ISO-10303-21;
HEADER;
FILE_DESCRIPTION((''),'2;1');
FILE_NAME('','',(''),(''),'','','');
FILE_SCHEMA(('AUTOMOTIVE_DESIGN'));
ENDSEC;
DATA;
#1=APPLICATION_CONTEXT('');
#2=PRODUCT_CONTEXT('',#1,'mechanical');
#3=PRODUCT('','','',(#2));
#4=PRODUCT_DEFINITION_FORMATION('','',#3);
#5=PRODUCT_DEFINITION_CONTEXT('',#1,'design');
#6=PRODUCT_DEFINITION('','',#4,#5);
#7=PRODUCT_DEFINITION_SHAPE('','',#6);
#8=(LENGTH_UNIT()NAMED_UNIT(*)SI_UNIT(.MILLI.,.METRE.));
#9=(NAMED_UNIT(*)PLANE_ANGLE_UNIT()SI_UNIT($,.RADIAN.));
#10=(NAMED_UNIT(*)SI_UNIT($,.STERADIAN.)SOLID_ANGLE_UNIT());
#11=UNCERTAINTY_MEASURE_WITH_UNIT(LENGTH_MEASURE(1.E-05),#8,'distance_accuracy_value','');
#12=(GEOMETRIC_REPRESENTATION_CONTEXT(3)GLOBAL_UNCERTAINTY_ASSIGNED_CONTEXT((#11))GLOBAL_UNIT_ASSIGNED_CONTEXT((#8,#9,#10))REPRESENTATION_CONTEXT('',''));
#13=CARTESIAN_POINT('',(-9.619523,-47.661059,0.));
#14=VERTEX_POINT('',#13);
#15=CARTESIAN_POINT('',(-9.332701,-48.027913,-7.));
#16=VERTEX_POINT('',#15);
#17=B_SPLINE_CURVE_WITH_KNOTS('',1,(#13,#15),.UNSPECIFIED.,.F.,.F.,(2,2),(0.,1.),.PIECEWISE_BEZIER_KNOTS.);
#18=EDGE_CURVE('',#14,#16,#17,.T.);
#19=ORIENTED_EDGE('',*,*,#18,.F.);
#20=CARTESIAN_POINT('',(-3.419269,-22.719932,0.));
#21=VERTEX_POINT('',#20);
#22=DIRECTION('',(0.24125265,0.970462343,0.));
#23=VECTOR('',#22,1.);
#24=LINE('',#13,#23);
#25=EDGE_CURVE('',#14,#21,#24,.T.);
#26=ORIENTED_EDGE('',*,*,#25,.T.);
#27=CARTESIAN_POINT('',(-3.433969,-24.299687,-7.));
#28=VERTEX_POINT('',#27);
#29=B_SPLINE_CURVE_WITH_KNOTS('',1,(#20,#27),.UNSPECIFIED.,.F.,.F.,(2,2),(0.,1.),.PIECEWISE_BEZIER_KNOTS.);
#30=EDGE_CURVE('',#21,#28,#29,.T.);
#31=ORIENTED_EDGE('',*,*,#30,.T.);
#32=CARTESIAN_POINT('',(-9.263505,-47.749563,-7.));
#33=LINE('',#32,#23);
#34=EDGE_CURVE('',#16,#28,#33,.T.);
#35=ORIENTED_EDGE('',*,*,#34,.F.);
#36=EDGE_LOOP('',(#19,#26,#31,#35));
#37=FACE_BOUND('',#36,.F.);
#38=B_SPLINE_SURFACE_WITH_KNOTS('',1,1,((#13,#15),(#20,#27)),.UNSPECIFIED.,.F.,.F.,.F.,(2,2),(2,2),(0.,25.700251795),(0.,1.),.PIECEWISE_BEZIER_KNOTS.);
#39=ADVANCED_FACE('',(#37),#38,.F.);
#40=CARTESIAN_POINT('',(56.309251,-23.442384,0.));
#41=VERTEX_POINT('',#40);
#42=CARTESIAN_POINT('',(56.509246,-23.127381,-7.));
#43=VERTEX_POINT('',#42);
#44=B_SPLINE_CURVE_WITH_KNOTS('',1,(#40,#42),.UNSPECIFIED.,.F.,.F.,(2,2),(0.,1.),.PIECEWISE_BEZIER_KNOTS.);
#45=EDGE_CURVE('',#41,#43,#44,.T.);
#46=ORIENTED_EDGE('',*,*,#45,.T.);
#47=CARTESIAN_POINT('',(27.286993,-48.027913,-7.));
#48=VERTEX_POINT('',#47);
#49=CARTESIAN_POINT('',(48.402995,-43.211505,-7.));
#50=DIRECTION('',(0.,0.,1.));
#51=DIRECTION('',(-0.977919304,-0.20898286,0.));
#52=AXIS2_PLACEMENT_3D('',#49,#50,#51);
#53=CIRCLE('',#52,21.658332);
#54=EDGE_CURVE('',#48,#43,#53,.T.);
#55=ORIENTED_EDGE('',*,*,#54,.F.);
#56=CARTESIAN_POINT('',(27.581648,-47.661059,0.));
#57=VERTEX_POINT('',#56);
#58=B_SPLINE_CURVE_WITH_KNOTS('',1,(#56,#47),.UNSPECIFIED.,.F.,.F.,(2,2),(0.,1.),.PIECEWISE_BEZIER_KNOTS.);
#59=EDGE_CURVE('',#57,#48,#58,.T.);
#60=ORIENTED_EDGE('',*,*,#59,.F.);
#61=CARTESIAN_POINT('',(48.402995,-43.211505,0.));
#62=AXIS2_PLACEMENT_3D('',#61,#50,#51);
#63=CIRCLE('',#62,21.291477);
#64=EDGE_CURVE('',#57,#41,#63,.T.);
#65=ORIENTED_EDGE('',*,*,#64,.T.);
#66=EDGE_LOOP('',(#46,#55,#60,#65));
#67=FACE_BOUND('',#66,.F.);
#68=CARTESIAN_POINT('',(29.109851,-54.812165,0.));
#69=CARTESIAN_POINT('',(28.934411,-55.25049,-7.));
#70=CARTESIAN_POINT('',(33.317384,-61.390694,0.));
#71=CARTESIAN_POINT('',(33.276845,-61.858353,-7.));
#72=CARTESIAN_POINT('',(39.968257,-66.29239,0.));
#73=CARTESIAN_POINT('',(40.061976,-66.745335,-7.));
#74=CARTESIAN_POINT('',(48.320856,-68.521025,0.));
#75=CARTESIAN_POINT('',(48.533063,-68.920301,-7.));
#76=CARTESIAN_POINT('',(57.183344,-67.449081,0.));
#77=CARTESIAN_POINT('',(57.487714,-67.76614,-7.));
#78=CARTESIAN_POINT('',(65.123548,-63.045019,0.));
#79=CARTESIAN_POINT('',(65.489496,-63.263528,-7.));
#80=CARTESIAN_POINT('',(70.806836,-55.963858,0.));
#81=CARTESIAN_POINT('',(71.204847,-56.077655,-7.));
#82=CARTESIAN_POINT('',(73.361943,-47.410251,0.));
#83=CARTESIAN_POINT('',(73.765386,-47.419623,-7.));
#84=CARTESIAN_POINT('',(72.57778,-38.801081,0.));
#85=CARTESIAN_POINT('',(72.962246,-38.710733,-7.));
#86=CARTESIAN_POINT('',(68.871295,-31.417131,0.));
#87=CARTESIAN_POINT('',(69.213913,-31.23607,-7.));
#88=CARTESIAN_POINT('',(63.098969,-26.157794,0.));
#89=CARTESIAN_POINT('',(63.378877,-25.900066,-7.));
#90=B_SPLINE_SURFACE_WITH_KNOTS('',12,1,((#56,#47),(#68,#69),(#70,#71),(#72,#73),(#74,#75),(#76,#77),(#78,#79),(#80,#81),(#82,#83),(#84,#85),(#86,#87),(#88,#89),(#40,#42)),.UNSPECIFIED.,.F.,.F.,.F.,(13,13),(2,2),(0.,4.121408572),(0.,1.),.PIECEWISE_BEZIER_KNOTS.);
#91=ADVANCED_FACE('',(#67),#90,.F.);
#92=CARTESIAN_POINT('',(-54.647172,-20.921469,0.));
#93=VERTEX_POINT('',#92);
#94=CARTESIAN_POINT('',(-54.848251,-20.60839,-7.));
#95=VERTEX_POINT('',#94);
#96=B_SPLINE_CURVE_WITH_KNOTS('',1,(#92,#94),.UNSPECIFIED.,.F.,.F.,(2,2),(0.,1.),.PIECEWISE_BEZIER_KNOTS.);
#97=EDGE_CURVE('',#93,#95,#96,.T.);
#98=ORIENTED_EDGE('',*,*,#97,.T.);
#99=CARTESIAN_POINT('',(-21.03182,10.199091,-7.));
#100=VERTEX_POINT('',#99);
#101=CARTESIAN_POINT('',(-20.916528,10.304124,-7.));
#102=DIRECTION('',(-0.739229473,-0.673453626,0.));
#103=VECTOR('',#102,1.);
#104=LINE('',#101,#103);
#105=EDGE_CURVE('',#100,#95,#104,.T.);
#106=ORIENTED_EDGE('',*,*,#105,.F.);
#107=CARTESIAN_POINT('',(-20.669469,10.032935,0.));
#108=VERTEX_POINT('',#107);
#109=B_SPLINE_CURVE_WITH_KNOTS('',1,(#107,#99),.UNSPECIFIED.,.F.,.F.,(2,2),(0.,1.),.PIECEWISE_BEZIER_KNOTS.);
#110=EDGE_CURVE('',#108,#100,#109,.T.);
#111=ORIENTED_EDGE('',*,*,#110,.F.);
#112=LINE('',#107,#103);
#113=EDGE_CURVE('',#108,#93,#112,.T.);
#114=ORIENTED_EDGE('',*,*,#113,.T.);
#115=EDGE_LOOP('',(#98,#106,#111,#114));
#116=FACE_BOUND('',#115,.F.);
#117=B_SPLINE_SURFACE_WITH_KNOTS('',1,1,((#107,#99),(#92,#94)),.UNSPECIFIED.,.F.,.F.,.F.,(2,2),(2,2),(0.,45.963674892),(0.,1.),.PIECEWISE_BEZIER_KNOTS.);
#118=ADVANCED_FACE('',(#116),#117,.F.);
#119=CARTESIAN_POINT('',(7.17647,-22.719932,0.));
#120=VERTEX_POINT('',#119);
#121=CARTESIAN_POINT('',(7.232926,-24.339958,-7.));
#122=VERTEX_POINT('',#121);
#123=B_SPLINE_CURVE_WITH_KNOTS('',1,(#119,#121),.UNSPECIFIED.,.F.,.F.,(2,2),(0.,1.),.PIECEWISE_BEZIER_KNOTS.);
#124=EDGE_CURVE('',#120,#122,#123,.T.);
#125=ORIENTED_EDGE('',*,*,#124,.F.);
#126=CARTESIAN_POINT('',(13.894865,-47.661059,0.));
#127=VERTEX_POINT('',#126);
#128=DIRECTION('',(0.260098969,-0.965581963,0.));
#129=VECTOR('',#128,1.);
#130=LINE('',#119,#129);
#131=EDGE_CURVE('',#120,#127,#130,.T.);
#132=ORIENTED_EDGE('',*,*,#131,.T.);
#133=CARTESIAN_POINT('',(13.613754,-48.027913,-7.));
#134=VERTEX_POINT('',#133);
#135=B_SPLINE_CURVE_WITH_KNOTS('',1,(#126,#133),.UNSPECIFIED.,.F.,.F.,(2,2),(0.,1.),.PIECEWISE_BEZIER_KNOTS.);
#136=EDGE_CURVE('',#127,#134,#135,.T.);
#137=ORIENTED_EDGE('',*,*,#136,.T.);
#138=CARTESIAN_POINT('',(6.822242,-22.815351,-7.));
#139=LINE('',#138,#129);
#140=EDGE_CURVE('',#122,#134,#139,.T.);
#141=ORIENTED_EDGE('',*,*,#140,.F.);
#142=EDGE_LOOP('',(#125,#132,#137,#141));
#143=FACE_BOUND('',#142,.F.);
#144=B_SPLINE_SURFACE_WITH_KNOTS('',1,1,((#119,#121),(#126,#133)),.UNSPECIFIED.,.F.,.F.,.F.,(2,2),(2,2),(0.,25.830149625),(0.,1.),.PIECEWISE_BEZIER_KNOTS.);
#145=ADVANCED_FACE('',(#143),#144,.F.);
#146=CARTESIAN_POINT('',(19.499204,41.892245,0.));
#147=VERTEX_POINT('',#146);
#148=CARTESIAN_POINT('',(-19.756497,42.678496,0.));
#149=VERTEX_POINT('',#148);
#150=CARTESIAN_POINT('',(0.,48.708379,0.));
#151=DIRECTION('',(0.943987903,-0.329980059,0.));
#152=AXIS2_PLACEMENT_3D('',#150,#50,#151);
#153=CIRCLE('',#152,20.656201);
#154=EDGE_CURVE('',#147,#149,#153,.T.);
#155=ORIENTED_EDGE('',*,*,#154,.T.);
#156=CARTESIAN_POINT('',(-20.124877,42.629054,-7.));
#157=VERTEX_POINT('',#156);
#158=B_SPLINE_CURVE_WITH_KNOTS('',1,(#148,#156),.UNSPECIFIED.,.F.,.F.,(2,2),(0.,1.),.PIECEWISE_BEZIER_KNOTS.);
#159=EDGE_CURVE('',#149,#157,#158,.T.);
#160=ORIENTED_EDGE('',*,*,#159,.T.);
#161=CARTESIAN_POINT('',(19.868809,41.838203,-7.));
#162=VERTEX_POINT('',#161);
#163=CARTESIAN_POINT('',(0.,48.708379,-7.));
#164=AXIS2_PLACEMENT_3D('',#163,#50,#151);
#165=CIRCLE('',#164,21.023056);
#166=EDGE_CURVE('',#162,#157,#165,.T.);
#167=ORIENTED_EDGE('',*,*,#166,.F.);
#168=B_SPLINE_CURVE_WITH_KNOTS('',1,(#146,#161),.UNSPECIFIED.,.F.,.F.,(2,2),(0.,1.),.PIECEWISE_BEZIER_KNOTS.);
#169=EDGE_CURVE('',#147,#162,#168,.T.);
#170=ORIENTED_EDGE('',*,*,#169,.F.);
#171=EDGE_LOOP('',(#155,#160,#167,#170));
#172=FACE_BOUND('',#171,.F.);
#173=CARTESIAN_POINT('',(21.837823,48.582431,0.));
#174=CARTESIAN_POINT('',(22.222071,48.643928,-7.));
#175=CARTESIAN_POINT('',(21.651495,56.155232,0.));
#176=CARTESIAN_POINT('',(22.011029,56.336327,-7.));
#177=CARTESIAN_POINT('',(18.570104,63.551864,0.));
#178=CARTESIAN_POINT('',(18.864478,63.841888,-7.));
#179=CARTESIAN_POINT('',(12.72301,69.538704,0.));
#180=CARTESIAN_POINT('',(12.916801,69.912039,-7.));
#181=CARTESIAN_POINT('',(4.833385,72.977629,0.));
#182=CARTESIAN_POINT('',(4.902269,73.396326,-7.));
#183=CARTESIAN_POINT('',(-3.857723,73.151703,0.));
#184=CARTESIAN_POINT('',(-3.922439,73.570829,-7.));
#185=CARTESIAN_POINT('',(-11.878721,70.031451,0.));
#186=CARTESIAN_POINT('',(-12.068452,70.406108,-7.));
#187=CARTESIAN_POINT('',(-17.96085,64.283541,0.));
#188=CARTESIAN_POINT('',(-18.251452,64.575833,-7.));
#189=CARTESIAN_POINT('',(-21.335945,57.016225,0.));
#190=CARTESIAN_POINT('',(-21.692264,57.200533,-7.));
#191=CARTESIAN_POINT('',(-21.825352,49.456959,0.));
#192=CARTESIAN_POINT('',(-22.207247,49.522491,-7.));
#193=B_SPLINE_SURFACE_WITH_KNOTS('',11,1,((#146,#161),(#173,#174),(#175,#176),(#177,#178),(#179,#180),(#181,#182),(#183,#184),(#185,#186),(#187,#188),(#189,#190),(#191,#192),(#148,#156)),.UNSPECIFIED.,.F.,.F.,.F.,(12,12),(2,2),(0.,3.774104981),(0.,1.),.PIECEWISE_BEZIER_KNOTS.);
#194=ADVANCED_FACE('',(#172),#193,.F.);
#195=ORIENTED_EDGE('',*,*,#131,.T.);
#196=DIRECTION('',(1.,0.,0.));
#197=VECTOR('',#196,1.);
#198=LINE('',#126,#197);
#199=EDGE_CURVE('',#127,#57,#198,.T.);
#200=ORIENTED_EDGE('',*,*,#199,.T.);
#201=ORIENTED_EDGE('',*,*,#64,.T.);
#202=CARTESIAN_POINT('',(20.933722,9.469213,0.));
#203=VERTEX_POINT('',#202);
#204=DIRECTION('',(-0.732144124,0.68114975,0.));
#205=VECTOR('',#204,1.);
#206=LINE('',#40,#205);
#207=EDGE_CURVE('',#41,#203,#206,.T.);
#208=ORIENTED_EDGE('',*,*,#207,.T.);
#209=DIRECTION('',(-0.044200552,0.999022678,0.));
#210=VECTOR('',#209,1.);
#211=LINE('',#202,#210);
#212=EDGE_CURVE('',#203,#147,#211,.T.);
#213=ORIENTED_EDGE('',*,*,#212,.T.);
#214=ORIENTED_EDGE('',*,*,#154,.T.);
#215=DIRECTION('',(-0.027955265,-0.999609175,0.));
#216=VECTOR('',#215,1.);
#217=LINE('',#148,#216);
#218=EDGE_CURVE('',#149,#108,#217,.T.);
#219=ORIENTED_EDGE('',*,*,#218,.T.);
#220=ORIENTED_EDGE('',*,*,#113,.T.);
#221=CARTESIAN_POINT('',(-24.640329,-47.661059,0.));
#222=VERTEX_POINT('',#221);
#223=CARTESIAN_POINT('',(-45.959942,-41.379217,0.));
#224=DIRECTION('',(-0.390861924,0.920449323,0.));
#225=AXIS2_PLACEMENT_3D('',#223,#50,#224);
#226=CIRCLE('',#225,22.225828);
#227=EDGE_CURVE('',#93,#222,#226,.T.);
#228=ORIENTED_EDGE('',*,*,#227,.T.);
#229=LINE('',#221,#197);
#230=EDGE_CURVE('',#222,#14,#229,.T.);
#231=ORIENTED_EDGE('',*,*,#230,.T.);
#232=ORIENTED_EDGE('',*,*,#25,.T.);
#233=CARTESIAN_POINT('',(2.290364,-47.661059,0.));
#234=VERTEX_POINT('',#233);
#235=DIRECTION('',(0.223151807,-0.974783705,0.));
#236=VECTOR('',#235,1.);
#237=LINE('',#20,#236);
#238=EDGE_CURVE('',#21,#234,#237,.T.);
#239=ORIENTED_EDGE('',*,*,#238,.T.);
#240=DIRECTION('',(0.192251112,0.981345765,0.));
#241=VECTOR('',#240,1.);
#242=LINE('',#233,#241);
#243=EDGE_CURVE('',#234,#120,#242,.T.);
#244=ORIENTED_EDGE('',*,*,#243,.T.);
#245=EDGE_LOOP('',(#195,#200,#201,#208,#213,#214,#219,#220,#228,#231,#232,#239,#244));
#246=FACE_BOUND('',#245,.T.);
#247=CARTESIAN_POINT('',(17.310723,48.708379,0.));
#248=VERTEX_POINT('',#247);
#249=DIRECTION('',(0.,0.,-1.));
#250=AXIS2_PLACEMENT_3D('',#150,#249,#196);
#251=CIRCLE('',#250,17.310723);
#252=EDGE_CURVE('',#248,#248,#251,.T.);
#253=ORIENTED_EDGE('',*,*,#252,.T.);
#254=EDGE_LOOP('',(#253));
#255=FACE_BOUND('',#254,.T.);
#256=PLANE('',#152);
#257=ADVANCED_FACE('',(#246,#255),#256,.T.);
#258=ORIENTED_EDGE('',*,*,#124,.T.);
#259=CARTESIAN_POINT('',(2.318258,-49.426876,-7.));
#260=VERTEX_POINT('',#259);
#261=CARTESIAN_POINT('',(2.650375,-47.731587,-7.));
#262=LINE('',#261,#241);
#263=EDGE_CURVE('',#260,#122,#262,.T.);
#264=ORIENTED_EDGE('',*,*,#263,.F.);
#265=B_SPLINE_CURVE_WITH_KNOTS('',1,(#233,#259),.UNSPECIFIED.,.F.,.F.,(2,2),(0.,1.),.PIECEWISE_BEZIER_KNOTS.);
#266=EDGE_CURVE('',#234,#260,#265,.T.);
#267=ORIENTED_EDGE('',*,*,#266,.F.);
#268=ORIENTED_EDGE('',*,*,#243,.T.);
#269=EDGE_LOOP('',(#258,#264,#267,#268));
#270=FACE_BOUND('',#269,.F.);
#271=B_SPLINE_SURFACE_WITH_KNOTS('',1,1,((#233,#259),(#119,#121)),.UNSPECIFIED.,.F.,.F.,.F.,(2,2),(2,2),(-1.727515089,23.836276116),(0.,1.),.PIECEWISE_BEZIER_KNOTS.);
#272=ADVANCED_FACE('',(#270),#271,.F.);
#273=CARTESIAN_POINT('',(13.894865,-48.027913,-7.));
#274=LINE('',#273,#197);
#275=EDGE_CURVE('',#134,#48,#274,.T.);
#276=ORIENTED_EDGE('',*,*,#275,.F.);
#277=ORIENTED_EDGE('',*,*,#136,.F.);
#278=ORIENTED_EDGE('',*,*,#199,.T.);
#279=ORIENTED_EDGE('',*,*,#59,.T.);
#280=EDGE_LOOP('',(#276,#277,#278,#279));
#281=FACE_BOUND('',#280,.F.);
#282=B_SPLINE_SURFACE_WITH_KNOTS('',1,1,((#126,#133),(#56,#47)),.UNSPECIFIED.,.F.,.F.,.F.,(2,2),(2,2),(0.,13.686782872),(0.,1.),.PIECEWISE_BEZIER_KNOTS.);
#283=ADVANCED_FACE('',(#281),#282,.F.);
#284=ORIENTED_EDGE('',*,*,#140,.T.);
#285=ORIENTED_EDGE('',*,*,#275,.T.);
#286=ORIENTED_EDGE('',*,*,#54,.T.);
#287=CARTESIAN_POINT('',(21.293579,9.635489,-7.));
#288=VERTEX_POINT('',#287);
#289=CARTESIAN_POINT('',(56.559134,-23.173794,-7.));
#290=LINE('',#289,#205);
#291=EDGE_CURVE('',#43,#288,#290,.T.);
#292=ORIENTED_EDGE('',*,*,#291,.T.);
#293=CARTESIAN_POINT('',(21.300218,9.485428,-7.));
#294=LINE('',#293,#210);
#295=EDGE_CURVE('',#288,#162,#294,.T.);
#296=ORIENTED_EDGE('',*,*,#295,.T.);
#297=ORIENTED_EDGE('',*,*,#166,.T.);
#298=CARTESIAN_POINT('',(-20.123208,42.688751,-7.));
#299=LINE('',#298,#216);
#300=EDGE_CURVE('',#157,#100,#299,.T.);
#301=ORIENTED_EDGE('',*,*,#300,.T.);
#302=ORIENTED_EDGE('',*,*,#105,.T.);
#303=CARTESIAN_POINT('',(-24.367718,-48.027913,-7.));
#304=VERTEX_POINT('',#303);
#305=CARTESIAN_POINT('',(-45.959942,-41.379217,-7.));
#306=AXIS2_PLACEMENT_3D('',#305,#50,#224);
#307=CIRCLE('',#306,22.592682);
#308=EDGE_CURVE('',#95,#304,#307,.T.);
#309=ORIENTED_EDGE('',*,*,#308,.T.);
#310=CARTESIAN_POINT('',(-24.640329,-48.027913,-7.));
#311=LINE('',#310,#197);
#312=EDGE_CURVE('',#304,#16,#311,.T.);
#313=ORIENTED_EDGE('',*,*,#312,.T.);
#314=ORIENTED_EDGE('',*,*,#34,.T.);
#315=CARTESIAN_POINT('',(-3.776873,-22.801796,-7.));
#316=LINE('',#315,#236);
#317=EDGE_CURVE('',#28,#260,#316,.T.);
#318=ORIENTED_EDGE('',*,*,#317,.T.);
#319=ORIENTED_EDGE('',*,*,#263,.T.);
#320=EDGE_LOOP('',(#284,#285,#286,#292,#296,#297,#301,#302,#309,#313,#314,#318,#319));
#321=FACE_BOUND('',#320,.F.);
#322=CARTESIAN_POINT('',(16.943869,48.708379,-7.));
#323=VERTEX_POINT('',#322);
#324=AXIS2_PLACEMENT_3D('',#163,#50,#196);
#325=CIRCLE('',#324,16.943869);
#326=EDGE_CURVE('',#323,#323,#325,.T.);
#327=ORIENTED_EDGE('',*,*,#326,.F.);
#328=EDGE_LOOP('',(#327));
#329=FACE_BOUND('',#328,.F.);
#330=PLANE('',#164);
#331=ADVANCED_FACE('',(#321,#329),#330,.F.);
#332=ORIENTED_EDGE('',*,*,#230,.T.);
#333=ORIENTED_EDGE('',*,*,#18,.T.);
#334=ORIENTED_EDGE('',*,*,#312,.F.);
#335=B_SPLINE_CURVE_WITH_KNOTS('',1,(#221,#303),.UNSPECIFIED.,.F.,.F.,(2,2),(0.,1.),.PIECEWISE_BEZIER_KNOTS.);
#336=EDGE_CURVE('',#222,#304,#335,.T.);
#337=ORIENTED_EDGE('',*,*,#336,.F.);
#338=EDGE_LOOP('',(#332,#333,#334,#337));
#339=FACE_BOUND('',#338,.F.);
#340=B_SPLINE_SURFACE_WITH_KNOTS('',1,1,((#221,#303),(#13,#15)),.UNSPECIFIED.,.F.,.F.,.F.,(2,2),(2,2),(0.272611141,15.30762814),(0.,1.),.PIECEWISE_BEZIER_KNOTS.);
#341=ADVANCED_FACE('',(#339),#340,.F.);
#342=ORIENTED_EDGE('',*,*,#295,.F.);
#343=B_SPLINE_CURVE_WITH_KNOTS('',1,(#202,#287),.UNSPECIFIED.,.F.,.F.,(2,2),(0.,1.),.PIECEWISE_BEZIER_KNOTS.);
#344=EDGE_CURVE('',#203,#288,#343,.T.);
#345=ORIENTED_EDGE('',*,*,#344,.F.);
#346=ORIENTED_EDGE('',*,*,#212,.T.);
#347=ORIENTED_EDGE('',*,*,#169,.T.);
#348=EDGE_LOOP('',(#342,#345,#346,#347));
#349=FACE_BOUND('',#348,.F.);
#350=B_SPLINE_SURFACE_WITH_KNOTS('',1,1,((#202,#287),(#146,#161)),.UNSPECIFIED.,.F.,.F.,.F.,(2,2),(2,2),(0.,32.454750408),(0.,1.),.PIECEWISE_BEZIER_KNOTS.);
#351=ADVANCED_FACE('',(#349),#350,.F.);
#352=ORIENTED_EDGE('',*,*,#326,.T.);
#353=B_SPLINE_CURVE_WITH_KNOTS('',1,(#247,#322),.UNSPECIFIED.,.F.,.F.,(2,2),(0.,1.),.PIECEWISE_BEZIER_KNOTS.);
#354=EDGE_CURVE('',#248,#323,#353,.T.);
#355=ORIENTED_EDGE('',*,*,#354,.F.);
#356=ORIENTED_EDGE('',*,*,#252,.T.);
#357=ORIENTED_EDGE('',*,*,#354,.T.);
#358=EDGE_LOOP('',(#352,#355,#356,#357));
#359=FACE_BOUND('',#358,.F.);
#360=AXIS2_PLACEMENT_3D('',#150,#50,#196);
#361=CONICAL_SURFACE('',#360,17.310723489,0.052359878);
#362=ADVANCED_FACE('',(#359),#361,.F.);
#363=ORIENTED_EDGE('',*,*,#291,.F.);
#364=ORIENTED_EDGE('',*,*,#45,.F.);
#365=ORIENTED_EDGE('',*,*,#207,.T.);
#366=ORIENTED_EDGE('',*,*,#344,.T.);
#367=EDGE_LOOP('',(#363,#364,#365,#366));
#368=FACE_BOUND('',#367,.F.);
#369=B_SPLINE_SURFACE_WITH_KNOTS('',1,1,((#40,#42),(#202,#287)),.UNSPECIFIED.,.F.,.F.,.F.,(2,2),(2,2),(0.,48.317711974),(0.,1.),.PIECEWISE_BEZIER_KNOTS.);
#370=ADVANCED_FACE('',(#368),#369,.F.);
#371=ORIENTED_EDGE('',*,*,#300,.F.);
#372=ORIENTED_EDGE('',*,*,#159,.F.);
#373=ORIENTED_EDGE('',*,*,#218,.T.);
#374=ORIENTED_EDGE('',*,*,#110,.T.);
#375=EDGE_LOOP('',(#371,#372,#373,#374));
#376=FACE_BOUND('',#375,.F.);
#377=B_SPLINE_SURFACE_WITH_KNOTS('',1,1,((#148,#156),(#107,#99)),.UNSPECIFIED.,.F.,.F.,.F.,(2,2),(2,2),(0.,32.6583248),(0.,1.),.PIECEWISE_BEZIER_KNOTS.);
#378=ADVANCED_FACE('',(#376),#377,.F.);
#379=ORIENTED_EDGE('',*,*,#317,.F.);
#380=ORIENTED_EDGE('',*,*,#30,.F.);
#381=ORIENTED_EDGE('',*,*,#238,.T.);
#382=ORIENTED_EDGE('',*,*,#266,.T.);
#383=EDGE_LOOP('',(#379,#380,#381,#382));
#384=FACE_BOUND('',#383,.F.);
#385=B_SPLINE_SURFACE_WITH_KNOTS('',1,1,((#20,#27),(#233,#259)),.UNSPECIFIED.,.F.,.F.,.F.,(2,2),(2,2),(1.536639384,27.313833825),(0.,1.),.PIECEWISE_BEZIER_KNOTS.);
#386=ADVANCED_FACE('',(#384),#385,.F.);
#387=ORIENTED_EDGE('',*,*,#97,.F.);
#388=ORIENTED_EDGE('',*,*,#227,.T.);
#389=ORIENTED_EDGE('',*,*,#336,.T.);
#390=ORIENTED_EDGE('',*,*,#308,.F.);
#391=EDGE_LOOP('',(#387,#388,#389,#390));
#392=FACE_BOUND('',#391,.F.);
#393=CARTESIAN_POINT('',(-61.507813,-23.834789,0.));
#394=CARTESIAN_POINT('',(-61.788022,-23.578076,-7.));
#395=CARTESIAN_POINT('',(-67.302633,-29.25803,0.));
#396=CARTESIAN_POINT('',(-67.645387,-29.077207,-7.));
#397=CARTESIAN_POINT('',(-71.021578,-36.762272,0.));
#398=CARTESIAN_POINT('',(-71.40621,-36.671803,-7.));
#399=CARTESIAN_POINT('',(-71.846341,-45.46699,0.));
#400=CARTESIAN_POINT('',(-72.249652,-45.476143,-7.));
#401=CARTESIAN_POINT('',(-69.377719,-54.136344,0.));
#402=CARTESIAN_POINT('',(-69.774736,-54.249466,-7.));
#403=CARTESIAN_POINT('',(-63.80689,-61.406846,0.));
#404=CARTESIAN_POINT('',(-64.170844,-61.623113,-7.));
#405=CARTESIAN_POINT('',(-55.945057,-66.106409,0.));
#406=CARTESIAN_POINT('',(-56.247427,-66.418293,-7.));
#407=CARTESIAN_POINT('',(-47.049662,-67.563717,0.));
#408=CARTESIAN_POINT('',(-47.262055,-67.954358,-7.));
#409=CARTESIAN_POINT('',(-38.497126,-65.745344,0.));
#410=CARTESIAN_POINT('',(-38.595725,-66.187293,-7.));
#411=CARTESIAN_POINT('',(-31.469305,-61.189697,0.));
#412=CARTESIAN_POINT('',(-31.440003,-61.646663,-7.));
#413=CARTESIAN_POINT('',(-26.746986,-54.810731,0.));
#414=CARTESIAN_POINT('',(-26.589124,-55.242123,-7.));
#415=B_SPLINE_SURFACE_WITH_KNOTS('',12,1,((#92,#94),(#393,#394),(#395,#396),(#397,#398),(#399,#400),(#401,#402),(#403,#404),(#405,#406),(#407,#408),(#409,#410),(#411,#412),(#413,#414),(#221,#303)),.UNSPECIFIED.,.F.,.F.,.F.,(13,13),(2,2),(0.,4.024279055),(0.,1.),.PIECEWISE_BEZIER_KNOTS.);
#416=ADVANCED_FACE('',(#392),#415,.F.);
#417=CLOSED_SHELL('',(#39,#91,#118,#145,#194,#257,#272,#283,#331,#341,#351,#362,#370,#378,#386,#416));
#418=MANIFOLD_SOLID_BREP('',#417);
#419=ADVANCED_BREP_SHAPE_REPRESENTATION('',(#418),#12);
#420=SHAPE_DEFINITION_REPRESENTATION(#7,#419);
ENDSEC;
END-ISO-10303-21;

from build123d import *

# Parameters (mm, degrees)
F0_R     = 17.7226640642
F0_R_2   = 18.3749948005
F0_R_3   = 17.2587936306
F0_R_4   = 17.3107234895
F1_DEPTH = 7
F1_TAPER = -3


with BuildPart() as f1:
    # F0 (on Top) → F1 (new body)
    with BuildSketch(Plane.XY):
        with BuildLine():
            Line((20.9337220527, 9.4692130681), (19.499204162, 41.8922447345))
            ThreePointArc((19.499204162, 41.8922447345), (0.4136393699, 69.3604386191), (-19.7564966048, 42.6784957835))
            Line((-19.7564966048, 42.6784957835), (-20.6694687182, 10.0329346663))
            Line((-20.6694687182, 10.0329346663), (-54.6471718869, -20.9214688483))
            ThreePointArc((-54.6471718869, -20.9214688483), (-60.7466147764, -57.9726414688), (-24.6403292313, -47.6610586484))
            Line((-24.6403292313, -47.6610586484), (-9.6195229838, -47.6610586484))
            Line((-9.6195229838, -47.6610586484), (-3.4192691352, -22.7199320794))
            Line((-3.4192691352, -22.7199320794), (2.290364122, -47.6610586484))
            Line((2.290364122, -47.6610586484), (7.1764700115, -22.7199320794))
            Line((7.1764700115, -22.7199320794), (13.8948652893, -47.6610586484))
            Line((13.8948652893, -47.6610586484), (27.5816481614, -47.6610586484))
            ThreePointArc((27.5816481614, -47.6610586484), (62.1265489826, -59.4900511481), (56.3092509412, -23.4423843748))
            Line((56.3092509412, -23.4423843748), (20.9337220527, 9.4692130681))
        make_face()
        with Locations((-45.9599420428, -41.3792170584)):
            Circle(F0_R, mode=Mode.SUBTRACT)
        Circle(F0_R_2, mode=Mode.SUBTRACT)
        with Locations((48.4029948711, -43.211504817)):
            Circle(F0_R_3, mode=Mode.SUBTRACT)
        with Locations((0, 48.7083792686)):
            Circle(F0_R_4, mode=Mode.SUBTRACT)
        Circle(F0_R_2)
        with Locations((48.4029948711, -43.211504817)):
            Circle(F0_R_3)
        with Locations((-45.9599420428, -41.3792170584)):
            Circle(F0_R)
    extrude(amount=-F1_DEPTH, taper=F1_TAPER)


solid = f1.part
